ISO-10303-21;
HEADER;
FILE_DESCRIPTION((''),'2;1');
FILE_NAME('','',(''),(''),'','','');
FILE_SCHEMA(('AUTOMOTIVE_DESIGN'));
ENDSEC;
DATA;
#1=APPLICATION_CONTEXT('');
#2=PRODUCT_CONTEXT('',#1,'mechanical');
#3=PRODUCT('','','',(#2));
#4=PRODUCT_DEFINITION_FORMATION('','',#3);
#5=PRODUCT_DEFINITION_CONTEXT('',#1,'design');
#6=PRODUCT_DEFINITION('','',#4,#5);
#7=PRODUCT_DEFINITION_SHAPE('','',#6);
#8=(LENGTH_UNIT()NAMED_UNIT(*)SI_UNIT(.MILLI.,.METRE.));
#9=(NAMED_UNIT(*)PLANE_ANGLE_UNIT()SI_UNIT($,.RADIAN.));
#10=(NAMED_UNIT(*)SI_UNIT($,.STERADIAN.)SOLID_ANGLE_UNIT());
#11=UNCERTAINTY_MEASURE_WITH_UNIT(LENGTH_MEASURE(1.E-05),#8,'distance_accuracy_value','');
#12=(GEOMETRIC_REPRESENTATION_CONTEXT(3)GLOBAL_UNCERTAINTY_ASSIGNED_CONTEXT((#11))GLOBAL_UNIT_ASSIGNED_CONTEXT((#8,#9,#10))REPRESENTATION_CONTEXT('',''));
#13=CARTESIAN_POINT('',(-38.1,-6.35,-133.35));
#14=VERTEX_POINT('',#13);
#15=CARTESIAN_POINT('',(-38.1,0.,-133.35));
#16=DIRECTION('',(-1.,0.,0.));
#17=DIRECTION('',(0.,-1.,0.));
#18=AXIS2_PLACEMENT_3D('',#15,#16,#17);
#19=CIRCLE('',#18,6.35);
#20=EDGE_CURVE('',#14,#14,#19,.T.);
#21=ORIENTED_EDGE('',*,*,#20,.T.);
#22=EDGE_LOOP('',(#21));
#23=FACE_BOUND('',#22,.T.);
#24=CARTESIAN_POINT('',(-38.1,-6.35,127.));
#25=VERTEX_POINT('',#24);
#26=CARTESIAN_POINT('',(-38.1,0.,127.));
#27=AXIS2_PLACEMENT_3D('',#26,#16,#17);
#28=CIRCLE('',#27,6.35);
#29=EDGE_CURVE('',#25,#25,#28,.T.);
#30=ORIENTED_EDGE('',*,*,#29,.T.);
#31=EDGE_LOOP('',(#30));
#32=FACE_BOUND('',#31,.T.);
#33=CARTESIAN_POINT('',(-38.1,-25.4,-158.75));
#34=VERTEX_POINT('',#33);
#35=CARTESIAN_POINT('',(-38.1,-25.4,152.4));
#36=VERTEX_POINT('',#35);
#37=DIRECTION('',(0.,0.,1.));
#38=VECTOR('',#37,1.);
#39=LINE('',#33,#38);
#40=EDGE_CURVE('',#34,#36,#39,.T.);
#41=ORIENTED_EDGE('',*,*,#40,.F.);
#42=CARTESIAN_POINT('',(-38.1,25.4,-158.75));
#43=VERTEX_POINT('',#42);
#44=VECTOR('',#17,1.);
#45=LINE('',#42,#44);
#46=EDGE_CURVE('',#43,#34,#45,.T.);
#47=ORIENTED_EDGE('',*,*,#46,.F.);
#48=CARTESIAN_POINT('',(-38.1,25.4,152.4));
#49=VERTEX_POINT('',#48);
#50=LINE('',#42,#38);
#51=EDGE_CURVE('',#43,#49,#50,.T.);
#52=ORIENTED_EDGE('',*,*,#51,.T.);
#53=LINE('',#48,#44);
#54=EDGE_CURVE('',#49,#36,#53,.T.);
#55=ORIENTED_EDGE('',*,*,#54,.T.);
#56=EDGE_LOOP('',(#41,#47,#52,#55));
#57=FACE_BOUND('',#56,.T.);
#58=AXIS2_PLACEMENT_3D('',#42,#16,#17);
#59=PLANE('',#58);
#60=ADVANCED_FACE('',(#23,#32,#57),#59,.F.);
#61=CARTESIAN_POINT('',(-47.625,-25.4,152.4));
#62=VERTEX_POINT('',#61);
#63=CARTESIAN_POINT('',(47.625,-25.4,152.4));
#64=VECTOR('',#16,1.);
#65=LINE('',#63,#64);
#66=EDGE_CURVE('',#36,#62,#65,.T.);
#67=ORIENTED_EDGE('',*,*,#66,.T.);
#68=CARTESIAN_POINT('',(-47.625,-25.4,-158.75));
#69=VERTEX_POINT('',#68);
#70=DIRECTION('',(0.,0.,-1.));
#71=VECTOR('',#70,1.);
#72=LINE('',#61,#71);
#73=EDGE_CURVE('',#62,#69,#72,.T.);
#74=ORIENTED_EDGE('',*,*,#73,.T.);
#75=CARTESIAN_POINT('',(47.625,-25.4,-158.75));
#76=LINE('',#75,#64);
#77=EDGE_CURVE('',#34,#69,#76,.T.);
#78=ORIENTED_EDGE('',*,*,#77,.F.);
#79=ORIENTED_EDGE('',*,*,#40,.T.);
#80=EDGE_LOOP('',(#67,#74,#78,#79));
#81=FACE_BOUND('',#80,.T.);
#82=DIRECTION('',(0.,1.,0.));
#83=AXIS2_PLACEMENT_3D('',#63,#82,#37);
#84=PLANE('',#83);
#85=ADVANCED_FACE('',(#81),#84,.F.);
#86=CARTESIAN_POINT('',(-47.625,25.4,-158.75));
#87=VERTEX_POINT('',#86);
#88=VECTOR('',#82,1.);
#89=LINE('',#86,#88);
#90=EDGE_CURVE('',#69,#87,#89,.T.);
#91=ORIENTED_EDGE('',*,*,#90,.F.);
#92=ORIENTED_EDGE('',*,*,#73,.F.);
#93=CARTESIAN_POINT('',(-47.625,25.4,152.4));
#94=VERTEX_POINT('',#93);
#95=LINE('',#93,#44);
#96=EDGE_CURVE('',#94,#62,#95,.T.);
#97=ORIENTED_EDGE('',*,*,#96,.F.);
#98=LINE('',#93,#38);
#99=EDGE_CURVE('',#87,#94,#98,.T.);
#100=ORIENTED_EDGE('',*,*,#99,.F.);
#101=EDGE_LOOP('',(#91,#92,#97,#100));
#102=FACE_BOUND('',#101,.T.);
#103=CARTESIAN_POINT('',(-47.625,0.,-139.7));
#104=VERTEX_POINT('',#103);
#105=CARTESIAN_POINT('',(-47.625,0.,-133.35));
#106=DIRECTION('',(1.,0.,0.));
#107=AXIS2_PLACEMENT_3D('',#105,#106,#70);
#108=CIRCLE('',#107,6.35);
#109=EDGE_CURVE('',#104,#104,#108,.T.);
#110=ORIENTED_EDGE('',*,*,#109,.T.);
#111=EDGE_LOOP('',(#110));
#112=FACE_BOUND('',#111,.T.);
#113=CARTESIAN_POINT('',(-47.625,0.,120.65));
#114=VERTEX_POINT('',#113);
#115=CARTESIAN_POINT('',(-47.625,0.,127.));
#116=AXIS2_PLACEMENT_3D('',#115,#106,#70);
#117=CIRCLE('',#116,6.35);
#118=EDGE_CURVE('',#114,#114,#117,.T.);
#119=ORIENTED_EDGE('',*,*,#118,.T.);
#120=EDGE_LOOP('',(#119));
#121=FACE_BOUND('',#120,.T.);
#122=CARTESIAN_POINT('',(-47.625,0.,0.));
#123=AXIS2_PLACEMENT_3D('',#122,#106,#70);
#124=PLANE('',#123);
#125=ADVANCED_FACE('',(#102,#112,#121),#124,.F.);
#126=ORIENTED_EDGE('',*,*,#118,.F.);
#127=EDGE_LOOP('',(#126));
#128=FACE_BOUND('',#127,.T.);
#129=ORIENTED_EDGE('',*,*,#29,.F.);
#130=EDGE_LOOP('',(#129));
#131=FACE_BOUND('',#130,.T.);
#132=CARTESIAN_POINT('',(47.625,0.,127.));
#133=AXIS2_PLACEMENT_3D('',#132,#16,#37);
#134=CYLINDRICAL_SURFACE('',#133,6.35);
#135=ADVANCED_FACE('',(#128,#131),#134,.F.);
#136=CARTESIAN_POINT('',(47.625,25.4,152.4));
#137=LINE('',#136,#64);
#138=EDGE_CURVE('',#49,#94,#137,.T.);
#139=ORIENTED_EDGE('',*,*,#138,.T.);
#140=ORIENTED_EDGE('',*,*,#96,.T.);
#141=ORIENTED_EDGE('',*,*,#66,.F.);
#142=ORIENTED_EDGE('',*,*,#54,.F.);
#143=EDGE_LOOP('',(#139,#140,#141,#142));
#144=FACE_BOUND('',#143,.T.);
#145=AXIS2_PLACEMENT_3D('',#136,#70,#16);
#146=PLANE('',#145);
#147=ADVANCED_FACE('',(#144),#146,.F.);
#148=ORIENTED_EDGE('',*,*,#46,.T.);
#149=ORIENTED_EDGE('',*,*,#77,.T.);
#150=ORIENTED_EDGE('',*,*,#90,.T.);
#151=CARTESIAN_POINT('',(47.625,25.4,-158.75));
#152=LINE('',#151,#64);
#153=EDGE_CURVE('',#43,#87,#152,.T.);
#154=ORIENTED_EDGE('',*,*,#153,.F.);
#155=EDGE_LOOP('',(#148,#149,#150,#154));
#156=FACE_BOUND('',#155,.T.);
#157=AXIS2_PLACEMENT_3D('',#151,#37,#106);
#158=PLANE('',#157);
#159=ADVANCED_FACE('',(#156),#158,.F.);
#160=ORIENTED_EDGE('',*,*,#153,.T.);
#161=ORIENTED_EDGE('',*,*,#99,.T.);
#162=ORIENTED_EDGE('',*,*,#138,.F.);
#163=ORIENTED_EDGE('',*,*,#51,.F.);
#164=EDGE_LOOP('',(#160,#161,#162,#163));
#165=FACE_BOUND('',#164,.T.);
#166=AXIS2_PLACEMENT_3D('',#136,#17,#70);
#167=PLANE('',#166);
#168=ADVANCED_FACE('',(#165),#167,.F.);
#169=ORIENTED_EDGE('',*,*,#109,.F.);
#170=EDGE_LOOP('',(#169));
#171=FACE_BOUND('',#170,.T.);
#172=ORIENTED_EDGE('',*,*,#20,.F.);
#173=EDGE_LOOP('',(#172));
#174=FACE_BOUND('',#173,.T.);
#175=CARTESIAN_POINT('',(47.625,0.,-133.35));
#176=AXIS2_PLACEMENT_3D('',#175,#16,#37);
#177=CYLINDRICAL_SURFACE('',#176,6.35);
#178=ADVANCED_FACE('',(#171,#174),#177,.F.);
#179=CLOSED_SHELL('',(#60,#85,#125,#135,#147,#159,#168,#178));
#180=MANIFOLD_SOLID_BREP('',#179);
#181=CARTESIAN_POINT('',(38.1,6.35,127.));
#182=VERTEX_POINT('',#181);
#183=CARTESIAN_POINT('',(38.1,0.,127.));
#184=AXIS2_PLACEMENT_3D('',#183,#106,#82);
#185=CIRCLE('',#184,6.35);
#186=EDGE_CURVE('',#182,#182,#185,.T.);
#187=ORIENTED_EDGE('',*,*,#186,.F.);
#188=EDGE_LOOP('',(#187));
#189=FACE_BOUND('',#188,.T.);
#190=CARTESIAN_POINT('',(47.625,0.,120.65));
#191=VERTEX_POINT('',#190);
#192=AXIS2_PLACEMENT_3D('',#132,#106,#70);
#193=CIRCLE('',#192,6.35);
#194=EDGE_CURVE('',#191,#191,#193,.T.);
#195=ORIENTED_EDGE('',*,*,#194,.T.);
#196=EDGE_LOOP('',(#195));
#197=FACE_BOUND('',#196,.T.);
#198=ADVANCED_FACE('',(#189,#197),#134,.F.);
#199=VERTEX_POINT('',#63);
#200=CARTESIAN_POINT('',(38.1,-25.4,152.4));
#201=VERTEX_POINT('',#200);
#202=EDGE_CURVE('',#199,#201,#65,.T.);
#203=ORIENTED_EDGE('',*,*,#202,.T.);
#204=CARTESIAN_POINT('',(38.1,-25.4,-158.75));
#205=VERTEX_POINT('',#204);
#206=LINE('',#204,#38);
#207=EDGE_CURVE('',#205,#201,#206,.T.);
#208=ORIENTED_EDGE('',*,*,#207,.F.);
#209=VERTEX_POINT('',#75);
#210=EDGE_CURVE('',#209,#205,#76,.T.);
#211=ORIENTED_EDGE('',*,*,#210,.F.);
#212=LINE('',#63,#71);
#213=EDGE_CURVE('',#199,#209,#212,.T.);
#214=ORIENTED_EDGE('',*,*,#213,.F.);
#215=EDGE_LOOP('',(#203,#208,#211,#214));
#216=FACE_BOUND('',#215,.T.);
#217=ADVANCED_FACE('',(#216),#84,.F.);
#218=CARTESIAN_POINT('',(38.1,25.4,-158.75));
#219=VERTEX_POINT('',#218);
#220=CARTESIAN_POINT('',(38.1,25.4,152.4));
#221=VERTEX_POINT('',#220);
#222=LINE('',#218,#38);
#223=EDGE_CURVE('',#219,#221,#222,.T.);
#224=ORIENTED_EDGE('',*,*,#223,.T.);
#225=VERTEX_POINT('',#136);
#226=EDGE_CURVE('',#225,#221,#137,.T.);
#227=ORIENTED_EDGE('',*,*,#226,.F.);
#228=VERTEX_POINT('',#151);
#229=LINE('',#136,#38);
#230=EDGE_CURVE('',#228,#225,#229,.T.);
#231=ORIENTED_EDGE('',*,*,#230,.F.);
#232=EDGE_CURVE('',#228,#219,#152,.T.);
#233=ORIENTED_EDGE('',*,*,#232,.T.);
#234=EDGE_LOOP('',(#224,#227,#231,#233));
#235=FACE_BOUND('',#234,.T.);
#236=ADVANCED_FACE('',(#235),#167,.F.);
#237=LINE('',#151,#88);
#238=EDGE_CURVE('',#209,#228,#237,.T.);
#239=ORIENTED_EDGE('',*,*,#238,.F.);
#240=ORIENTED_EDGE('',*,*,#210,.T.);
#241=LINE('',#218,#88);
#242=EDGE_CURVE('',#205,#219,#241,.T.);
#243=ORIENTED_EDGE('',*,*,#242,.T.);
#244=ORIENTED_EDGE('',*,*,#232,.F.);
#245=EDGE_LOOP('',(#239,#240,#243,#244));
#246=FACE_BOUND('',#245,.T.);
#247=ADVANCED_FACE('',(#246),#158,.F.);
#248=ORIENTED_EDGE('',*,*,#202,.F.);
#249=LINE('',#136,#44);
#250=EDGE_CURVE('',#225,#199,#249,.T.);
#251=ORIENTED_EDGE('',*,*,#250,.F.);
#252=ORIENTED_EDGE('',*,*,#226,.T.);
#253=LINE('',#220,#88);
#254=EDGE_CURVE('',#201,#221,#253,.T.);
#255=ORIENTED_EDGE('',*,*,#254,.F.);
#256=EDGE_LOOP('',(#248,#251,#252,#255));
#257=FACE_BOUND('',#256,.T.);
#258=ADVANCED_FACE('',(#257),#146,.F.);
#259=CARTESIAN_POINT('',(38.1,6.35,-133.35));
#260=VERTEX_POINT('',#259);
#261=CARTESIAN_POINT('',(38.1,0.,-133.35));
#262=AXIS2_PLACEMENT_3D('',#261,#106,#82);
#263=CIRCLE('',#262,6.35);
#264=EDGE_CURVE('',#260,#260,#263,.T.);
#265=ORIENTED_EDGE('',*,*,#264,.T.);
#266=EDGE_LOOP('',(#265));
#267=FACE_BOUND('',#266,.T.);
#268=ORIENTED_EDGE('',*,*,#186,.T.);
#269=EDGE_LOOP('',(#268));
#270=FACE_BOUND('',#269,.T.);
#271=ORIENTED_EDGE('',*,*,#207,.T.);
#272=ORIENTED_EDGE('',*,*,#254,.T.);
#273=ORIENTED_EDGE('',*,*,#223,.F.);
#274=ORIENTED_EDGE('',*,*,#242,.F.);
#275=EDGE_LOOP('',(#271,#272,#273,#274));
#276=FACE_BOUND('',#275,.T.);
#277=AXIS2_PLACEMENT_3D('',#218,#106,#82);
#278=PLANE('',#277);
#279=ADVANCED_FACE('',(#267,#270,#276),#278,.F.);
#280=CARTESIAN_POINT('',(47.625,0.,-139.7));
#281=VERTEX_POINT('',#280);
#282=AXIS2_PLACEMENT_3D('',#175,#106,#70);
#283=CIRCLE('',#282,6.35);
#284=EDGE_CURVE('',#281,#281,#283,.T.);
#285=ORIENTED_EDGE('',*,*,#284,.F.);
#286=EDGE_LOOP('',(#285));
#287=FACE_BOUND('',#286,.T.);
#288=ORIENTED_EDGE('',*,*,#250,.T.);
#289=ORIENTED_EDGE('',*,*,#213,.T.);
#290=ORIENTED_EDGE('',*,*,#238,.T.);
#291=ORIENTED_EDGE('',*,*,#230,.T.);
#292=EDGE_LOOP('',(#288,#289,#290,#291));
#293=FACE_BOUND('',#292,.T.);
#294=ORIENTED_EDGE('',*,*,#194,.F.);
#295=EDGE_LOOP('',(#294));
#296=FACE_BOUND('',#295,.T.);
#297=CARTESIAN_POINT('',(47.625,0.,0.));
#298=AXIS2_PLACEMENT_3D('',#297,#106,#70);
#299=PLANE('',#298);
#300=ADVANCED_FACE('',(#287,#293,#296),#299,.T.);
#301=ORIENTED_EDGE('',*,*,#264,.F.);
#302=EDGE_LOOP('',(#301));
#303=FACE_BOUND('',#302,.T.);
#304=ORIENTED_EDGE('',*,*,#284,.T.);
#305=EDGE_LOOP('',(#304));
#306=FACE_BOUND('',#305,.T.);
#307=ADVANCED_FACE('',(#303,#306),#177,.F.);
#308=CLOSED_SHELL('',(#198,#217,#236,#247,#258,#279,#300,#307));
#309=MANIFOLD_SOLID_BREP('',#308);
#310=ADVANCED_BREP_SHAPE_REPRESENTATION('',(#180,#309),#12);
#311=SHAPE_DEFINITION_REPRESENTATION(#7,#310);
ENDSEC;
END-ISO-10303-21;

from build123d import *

# Parameters (mm, degrees)
SKETCH1_W           = 311.15
SKETCH1_H           = 50.8
SKETCH1_R           = 6.35
BOSS_EXTRUDE1_DEPTH = 47.625
SKETCH2_W           = 76.2
SKETCH2_H           = 50.8
CUT_EXTRUDE1_DEPTH  = 311.15


with BuildPart() as part:
    # Sketch1 → Boss-Extrude1 (new body, symmetric)
    with BuildSketch(Plane(origin=(0, 0, 0), x_dir=(0, 0, -1), z_dir=(1, 0, 0))):
        with Locations((3.175, 0)):
            Rectangle(SKETCH1_W, SKETCH1_H)
        with Locations((-127, 0)):
            Circle(SKETCH1_R, mode=Mode.SUBTRACT)
        with Locations((133.35, 0)):
            Circle(SKETCH1_R, mode=Mode.SUBTRACT)
    extrude(amount=BOSS_EXTRUDE1_DEPTH, both=True)

    # Sketch2 → Cut-Extrude1 (cut)
    with BuildSketch(Plane.XY.offset(152.4)):
        Rectangle(SKETCH2_W, SKETCH2_H)
    extrude(amount=-CUT_EXTRUDE1_DEPTH, mode=Mode.SUBTRACT)


solid = part.part
